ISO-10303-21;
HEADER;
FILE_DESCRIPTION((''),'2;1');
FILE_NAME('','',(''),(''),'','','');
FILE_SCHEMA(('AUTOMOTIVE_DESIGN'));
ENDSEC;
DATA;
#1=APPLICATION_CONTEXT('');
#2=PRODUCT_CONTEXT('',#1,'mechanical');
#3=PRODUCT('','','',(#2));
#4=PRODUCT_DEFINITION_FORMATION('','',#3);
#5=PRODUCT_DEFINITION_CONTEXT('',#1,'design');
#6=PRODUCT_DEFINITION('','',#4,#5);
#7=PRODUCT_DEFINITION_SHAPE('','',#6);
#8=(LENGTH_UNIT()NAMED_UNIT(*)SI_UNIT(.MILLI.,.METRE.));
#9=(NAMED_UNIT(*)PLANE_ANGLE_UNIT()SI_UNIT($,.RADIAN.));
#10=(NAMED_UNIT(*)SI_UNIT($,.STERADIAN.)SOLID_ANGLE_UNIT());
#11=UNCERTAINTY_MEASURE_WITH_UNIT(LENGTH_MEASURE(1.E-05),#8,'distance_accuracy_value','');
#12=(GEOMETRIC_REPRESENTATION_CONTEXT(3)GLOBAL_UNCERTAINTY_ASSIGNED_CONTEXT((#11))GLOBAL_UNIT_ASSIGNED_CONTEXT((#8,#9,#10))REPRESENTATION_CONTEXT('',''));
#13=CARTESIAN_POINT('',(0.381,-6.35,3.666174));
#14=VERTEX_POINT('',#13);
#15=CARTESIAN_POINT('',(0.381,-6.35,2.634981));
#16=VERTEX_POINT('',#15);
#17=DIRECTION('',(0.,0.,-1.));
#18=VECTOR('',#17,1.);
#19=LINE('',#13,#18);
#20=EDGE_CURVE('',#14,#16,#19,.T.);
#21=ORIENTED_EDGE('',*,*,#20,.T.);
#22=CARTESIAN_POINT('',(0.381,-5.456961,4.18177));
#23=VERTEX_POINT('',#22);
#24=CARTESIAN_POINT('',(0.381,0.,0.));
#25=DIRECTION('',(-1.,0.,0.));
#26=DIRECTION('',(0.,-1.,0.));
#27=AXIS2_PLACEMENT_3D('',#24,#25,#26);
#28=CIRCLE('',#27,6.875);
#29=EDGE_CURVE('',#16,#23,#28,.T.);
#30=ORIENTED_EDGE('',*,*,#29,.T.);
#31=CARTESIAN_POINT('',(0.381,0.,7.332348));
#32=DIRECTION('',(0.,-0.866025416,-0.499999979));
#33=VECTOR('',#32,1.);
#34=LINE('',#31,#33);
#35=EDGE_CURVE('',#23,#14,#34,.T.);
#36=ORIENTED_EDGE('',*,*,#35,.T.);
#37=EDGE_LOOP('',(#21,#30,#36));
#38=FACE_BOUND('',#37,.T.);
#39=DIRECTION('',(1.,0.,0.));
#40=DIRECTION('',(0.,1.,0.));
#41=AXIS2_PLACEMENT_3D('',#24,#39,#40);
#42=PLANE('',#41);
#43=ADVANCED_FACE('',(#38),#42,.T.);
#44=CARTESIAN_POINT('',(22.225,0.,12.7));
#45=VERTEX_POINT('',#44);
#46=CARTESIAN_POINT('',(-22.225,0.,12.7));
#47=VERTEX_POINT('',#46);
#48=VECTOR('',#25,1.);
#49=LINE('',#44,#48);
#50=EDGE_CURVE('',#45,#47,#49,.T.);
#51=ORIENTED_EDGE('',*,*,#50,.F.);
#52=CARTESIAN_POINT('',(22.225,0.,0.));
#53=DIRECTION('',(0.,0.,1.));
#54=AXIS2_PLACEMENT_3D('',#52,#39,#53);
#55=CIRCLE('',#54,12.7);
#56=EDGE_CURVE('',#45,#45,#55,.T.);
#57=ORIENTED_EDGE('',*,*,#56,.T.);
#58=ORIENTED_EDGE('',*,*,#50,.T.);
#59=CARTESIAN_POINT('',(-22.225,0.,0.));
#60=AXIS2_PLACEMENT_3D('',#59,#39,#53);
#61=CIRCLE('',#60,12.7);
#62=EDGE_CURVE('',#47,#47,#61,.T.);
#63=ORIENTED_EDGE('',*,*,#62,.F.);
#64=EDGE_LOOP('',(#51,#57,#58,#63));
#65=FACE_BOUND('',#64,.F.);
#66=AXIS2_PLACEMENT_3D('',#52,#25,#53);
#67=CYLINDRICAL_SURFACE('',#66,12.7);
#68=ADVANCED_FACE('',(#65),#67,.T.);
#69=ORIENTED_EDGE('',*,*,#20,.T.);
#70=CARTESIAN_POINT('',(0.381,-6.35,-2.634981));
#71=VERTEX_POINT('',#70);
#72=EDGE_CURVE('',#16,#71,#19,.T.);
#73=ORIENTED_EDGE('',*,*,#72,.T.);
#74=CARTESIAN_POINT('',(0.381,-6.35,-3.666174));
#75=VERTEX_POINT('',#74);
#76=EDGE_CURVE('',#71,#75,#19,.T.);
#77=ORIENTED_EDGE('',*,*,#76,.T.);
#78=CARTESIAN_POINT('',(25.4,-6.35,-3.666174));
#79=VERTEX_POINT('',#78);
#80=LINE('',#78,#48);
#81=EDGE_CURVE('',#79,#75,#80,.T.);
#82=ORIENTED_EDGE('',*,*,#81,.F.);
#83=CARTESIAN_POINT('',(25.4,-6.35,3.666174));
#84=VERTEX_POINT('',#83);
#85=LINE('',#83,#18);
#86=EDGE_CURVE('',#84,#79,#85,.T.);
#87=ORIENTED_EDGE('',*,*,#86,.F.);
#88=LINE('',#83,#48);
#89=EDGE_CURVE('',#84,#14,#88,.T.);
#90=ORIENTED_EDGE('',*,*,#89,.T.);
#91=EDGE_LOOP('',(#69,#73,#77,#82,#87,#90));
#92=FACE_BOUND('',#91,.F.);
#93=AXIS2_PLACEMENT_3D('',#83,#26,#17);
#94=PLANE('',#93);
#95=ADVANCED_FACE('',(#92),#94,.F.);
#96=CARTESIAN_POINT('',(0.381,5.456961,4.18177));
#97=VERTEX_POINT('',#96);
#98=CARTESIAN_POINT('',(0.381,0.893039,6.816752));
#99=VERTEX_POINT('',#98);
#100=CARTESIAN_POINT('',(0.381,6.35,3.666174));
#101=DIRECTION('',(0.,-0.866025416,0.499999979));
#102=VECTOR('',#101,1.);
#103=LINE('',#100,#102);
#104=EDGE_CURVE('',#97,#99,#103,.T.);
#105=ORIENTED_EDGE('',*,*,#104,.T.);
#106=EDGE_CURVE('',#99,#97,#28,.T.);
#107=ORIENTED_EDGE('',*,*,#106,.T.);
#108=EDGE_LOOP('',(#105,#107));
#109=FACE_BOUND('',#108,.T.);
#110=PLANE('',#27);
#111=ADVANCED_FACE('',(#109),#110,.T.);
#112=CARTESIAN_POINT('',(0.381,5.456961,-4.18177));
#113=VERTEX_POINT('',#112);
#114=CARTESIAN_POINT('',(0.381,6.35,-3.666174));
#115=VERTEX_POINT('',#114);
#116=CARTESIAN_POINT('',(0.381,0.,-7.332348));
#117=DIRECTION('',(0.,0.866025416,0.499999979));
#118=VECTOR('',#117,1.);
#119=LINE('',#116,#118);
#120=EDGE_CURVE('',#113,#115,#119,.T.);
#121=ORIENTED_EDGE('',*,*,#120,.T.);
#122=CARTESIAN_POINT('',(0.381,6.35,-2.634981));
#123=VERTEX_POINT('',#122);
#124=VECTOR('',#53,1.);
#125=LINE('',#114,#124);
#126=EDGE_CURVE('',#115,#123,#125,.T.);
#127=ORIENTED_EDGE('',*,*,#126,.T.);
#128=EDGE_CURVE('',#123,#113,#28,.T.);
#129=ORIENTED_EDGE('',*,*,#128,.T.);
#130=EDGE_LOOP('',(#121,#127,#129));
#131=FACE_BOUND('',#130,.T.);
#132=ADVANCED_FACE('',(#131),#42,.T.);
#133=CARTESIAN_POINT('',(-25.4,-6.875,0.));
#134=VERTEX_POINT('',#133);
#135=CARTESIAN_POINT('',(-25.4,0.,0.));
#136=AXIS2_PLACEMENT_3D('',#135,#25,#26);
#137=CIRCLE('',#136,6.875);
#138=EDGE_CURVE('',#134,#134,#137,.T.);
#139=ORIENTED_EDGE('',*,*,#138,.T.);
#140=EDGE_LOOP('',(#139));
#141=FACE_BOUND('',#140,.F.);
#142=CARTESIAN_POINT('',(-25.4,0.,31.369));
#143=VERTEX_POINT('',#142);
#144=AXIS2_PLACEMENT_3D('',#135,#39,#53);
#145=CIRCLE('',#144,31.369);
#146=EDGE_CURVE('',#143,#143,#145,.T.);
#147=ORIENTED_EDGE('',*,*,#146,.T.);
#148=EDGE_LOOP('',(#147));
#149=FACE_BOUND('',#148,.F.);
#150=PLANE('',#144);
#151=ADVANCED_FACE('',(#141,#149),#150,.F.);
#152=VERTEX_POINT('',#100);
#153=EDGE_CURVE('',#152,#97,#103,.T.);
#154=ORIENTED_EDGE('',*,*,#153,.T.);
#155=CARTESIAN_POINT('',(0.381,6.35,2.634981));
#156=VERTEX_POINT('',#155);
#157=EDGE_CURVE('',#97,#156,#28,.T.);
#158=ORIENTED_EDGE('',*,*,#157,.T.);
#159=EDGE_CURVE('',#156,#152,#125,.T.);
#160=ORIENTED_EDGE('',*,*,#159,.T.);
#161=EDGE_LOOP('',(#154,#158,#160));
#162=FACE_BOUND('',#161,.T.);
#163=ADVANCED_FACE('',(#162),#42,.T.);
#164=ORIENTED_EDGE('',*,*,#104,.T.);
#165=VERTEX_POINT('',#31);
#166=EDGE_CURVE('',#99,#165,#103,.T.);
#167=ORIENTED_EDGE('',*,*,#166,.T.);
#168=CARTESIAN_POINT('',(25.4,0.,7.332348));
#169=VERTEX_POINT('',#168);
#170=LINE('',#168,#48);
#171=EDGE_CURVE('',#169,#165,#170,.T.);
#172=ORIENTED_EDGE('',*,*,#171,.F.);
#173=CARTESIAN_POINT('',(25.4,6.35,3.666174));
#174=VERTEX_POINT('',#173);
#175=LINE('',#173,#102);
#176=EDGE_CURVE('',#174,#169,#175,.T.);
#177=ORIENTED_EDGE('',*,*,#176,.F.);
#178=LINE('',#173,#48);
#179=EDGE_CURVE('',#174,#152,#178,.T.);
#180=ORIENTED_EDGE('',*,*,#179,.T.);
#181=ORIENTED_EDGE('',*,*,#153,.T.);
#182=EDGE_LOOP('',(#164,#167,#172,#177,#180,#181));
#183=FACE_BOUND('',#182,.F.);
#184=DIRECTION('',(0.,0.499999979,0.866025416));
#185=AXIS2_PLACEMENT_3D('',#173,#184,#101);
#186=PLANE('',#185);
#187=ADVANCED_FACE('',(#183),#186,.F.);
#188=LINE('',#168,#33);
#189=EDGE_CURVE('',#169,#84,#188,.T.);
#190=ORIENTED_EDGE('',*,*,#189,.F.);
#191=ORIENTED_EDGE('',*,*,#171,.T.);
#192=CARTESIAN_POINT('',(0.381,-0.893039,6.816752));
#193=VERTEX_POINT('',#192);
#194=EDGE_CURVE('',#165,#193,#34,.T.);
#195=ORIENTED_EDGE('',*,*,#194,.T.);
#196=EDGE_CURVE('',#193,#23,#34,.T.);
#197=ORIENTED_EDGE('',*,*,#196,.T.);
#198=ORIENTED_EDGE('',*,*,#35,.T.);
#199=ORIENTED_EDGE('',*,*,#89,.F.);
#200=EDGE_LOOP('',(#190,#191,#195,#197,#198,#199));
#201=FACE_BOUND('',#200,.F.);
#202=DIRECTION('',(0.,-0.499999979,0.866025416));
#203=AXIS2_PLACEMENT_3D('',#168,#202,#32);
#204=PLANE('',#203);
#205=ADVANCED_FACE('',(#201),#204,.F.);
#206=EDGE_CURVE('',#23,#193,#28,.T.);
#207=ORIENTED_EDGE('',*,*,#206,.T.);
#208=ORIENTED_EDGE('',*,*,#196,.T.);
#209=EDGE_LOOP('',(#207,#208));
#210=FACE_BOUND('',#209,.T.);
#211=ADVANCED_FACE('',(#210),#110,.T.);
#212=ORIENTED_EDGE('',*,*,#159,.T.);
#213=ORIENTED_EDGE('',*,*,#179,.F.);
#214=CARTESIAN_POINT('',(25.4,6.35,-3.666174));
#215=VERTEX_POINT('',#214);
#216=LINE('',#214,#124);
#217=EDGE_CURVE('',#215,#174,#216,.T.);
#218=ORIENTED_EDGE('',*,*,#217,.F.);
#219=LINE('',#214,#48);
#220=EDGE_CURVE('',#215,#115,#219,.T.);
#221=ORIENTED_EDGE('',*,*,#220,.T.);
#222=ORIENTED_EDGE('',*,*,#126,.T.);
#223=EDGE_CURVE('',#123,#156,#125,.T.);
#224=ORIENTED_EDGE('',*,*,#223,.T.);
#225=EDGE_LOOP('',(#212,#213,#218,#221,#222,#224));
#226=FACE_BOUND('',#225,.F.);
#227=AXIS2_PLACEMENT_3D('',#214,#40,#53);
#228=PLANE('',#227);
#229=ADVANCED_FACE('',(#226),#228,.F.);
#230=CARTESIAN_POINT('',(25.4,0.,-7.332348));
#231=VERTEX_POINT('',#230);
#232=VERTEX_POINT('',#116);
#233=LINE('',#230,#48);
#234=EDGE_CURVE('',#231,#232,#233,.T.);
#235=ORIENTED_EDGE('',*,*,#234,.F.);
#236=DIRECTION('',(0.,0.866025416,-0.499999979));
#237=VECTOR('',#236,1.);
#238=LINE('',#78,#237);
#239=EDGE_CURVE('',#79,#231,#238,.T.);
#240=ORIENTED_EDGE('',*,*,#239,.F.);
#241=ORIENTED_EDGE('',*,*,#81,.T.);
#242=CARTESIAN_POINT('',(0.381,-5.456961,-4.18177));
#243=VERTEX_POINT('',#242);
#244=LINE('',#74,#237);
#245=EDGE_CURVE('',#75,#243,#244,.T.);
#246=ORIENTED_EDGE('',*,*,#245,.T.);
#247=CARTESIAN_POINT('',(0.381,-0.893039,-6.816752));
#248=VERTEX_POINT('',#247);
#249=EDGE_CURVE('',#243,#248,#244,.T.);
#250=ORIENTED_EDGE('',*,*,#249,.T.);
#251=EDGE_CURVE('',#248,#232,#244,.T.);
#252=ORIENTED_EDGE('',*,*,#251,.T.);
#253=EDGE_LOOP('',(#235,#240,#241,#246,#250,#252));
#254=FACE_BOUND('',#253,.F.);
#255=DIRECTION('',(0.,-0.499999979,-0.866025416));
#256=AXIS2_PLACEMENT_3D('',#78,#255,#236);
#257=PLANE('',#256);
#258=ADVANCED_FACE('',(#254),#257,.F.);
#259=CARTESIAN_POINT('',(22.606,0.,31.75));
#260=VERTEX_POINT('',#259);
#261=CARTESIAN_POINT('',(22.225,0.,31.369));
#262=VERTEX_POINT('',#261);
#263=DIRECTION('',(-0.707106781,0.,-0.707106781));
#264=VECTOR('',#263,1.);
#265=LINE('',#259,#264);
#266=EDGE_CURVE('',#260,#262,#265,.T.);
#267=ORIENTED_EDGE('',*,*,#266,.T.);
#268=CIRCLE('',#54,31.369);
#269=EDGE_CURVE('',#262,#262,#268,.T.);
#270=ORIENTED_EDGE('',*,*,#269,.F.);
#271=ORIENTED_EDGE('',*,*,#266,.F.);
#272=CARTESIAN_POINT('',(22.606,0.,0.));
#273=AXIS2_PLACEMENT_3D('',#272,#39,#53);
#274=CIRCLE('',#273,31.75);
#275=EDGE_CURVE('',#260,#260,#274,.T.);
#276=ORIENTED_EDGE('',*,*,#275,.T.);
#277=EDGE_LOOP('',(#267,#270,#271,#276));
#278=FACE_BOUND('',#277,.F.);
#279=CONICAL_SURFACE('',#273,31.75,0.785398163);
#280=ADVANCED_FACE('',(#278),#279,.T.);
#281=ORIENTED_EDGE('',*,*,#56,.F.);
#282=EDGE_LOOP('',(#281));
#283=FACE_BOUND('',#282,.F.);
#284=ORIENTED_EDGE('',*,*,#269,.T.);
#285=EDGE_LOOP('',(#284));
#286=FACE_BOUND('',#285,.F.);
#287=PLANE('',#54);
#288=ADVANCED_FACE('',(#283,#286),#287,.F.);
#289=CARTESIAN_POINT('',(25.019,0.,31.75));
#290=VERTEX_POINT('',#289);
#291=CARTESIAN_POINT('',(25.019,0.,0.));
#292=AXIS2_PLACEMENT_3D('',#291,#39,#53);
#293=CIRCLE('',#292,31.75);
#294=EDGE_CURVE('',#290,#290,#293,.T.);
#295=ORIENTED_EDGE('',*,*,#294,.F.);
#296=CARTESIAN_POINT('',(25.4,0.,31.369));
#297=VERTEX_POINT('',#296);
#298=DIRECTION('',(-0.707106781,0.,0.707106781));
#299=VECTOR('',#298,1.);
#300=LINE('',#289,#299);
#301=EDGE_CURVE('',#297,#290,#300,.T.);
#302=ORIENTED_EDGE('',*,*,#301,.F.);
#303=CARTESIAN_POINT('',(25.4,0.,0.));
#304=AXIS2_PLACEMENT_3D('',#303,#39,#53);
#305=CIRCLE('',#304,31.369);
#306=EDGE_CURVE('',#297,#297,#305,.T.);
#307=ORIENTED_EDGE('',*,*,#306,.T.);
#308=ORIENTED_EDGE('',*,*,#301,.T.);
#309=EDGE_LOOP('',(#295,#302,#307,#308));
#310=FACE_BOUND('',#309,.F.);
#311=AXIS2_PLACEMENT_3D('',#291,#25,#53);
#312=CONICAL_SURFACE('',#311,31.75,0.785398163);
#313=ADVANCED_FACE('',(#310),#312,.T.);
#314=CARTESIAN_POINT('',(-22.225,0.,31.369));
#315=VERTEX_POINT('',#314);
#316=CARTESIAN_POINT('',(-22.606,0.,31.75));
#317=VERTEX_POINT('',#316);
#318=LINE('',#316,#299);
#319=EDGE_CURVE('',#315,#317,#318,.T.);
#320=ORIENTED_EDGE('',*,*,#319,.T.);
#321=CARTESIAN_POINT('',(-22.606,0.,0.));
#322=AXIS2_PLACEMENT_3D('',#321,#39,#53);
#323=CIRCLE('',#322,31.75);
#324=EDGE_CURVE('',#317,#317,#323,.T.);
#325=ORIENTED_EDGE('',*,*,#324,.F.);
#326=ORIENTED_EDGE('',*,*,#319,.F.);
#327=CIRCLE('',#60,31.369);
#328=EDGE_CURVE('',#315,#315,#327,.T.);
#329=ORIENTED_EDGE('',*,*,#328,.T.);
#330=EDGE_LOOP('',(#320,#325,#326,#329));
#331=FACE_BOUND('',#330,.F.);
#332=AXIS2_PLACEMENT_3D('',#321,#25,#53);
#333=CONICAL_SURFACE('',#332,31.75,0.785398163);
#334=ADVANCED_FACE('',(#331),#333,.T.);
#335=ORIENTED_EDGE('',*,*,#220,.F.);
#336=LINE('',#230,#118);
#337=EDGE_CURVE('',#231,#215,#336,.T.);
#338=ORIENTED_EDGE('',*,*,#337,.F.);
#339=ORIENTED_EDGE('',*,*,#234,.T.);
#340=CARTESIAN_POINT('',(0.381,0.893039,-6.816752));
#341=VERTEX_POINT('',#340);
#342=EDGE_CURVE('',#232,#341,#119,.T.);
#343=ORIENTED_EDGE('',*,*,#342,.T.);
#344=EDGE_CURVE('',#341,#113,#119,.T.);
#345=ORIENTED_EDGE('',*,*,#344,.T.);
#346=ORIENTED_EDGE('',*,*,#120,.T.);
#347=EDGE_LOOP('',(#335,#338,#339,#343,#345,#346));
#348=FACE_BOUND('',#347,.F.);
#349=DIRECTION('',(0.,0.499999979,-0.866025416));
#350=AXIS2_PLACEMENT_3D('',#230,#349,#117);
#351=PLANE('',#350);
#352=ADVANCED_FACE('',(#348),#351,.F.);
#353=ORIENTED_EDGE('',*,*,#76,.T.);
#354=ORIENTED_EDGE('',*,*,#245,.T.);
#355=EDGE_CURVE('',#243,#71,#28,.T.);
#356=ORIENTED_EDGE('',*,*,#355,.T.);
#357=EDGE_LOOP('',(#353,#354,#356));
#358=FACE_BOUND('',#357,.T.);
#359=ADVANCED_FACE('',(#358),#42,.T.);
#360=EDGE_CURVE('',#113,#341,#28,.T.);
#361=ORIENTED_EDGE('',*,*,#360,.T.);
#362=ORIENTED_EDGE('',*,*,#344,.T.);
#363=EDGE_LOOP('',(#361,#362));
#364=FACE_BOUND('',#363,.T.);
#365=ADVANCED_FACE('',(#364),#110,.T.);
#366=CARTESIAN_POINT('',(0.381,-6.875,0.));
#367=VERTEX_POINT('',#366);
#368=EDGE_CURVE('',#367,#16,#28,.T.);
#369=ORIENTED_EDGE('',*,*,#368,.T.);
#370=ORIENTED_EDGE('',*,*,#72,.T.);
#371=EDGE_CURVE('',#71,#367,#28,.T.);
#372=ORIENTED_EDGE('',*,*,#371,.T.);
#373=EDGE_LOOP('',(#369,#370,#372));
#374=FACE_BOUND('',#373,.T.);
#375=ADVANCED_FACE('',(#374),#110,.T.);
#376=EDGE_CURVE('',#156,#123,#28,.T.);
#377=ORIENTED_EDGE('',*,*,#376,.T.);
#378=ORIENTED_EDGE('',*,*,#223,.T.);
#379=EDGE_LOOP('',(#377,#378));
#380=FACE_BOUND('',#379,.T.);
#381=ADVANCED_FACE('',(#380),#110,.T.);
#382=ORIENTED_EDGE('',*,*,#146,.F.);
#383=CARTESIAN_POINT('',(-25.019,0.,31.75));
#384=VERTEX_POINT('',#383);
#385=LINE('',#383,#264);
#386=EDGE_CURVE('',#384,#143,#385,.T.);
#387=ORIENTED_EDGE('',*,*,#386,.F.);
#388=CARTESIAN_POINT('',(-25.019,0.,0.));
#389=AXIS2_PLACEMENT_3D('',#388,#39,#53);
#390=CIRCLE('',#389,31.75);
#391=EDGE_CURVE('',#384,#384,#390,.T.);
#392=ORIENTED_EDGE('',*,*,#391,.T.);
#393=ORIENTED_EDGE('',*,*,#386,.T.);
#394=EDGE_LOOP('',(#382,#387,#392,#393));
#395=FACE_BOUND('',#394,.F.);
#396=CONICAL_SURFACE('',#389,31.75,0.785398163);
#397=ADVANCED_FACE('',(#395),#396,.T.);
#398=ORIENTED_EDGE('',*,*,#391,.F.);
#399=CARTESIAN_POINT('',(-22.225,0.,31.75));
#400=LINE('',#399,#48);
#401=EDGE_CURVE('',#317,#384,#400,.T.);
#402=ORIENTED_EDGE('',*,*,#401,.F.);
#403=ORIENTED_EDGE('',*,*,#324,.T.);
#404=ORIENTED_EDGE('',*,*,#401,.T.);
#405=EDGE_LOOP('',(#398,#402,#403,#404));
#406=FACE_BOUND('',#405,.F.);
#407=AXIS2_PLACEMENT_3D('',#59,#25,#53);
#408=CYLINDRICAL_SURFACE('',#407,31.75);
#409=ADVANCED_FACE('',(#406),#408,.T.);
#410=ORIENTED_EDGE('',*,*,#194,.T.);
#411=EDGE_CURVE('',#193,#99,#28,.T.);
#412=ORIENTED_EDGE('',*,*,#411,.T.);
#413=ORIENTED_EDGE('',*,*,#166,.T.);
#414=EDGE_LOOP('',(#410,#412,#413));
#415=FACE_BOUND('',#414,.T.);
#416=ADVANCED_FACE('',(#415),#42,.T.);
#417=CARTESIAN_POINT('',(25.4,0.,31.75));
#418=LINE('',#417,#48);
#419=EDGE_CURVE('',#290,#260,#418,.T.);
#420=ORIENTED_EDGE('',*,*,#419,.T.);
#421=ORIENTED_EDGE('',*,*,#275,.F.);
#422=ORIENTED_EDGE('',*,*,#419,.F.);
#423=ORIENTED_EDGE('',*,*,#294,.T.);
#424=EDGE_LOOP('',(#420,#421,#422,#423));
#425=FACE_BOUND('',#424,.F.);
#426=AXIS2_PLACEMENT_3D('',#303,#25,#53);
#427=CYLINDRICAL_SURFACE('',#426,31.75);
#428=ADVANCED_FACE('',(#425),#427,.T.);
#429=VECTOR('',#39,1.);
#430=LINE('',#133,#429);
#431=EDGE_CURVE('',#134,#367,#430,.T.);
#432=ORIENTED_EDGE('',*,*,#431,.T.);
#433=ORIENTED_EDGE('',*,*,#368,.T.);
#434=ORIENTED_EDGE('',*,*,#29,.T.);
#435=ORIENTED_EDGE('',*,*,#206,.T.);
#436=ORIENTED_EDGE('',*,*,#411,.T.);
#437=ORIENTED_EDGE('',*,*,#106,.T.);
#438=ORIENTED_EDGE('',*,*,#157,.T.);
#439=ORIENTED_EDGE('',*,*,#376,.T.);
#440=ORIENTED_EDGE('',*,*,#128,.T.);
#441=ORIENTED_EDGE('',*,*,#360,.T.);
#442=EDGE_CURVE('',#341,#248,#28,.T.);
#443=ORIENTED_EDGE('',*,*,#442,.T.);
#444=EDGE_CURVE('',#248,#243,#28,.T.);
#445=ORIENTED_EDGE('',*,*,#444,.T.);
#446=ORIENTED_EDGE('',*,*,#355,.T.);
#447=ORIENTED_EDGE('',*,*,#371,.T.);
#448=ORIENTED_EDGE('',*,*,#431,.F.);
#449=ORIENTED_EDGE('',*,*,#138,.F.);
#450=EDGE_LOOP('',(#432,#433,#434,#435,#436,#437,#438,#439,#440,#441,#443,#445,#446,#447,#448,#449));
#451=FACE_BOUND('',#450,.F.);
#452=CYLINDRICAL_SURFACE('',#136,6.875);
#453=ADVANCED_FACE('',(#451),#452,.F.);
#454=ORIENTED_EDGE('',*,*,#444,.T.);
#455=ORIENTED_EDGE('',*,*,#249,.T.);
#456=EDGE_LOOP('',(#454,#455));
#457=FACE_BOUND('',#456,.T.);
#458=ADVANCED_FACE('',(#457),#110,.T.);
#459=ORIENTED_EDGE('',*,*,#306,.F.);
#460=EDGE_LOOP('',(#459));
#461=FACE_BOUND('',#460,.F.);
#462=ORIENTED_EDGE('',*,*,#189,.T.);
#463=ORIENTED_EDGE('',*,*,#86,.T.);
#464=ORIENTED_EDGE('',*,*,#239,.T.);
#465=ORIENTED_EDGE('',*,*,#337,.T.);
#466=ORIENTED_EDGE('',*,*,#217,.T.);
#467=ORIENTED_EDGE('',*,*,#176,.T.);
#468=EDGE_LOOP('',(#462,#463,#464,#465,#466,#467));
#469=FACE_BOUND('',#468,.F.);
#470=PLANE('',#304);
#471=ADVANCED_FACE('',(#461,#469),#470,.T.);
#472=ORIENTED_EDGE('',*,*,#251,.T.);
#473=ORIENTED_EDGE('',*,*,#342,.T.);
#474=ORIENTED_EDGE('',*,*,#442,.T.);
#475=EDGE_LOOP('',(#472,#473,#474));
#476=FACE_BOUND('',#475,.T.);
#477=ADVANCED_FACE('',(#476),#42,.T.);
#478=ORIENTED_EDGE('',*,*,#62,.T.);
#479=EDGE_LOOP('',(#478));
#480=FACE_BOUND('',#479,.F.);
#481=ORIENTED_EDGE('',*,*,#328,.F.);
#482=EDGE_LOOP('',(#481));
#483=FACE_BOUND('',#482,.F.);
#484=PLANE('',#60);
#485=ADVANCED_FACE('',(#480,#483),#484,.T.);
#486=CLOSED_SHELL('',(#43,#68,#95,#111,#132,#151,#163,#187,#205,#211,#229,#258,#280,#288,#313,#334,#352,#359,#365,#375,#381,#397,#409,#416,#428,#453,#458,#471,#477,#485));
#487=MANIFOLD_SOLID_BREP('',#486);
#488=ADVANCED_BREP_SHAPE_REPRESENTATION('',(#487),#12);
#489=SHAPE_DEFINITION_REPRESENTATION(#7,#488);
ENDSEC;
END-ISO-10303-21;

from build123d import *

# Parameters (mm, degrees)
F2_SIZE  = 0.381
F4_DEPTH = 25.019
F5_R     = 6.875
F6_DEPTH = 25.781


with BuildPart() as f1:
    # F0 (on Front) → F1 (revolve)
    with BuildSketch(Plane.XZ):
        Polygon((22.225, 12.7), (-22.225, 12.7), (-22.225, 31.75), (-25.4, 31.75), (-25.4, 0), (25.4, 0), (25.4, 31.75), (22.225, 31.75), align=None)
    revolve(axis=Axis((0, 0, 0), (1, 0, 0)))

    # F2
    f2_edges = [f1.edges().sort_by_distance(p)[0] for p in [
        (-22.225, 0, -31.75),
        (-25.4, 0, -31.75),
        (22.225, 0, -31.75),
        (25.4, 0, -31.75),
    ]]
    chamfer(f2_edges, length=F2_SIZE)

    # F3 (on face) → F4 (cut)
    with BuildSketch(Plane.YZ.offset(25.4)):
        Polygon((6.35, -3.666174), (6.35, 3.666174), (0, 7.332348), (-6.35, 3.666174), (-6.35, -3.666174), (0, -7.332348), align=None)
    extrude(amount=-F4_DEPTH, mode=Mode.SUBTRACT)

    # F5 (on face) → F6 (cut)
    with BuildSketch(Plane(origin=(-25.4, 0, 0), x_dir=(0, -1, 0), z_dir=(-1, 0, 0))):
        Circle(F5_R)
    extrude(amount=-F6_DEPTH, mode=Mode.SUBTRACT)


solid = f1.part
